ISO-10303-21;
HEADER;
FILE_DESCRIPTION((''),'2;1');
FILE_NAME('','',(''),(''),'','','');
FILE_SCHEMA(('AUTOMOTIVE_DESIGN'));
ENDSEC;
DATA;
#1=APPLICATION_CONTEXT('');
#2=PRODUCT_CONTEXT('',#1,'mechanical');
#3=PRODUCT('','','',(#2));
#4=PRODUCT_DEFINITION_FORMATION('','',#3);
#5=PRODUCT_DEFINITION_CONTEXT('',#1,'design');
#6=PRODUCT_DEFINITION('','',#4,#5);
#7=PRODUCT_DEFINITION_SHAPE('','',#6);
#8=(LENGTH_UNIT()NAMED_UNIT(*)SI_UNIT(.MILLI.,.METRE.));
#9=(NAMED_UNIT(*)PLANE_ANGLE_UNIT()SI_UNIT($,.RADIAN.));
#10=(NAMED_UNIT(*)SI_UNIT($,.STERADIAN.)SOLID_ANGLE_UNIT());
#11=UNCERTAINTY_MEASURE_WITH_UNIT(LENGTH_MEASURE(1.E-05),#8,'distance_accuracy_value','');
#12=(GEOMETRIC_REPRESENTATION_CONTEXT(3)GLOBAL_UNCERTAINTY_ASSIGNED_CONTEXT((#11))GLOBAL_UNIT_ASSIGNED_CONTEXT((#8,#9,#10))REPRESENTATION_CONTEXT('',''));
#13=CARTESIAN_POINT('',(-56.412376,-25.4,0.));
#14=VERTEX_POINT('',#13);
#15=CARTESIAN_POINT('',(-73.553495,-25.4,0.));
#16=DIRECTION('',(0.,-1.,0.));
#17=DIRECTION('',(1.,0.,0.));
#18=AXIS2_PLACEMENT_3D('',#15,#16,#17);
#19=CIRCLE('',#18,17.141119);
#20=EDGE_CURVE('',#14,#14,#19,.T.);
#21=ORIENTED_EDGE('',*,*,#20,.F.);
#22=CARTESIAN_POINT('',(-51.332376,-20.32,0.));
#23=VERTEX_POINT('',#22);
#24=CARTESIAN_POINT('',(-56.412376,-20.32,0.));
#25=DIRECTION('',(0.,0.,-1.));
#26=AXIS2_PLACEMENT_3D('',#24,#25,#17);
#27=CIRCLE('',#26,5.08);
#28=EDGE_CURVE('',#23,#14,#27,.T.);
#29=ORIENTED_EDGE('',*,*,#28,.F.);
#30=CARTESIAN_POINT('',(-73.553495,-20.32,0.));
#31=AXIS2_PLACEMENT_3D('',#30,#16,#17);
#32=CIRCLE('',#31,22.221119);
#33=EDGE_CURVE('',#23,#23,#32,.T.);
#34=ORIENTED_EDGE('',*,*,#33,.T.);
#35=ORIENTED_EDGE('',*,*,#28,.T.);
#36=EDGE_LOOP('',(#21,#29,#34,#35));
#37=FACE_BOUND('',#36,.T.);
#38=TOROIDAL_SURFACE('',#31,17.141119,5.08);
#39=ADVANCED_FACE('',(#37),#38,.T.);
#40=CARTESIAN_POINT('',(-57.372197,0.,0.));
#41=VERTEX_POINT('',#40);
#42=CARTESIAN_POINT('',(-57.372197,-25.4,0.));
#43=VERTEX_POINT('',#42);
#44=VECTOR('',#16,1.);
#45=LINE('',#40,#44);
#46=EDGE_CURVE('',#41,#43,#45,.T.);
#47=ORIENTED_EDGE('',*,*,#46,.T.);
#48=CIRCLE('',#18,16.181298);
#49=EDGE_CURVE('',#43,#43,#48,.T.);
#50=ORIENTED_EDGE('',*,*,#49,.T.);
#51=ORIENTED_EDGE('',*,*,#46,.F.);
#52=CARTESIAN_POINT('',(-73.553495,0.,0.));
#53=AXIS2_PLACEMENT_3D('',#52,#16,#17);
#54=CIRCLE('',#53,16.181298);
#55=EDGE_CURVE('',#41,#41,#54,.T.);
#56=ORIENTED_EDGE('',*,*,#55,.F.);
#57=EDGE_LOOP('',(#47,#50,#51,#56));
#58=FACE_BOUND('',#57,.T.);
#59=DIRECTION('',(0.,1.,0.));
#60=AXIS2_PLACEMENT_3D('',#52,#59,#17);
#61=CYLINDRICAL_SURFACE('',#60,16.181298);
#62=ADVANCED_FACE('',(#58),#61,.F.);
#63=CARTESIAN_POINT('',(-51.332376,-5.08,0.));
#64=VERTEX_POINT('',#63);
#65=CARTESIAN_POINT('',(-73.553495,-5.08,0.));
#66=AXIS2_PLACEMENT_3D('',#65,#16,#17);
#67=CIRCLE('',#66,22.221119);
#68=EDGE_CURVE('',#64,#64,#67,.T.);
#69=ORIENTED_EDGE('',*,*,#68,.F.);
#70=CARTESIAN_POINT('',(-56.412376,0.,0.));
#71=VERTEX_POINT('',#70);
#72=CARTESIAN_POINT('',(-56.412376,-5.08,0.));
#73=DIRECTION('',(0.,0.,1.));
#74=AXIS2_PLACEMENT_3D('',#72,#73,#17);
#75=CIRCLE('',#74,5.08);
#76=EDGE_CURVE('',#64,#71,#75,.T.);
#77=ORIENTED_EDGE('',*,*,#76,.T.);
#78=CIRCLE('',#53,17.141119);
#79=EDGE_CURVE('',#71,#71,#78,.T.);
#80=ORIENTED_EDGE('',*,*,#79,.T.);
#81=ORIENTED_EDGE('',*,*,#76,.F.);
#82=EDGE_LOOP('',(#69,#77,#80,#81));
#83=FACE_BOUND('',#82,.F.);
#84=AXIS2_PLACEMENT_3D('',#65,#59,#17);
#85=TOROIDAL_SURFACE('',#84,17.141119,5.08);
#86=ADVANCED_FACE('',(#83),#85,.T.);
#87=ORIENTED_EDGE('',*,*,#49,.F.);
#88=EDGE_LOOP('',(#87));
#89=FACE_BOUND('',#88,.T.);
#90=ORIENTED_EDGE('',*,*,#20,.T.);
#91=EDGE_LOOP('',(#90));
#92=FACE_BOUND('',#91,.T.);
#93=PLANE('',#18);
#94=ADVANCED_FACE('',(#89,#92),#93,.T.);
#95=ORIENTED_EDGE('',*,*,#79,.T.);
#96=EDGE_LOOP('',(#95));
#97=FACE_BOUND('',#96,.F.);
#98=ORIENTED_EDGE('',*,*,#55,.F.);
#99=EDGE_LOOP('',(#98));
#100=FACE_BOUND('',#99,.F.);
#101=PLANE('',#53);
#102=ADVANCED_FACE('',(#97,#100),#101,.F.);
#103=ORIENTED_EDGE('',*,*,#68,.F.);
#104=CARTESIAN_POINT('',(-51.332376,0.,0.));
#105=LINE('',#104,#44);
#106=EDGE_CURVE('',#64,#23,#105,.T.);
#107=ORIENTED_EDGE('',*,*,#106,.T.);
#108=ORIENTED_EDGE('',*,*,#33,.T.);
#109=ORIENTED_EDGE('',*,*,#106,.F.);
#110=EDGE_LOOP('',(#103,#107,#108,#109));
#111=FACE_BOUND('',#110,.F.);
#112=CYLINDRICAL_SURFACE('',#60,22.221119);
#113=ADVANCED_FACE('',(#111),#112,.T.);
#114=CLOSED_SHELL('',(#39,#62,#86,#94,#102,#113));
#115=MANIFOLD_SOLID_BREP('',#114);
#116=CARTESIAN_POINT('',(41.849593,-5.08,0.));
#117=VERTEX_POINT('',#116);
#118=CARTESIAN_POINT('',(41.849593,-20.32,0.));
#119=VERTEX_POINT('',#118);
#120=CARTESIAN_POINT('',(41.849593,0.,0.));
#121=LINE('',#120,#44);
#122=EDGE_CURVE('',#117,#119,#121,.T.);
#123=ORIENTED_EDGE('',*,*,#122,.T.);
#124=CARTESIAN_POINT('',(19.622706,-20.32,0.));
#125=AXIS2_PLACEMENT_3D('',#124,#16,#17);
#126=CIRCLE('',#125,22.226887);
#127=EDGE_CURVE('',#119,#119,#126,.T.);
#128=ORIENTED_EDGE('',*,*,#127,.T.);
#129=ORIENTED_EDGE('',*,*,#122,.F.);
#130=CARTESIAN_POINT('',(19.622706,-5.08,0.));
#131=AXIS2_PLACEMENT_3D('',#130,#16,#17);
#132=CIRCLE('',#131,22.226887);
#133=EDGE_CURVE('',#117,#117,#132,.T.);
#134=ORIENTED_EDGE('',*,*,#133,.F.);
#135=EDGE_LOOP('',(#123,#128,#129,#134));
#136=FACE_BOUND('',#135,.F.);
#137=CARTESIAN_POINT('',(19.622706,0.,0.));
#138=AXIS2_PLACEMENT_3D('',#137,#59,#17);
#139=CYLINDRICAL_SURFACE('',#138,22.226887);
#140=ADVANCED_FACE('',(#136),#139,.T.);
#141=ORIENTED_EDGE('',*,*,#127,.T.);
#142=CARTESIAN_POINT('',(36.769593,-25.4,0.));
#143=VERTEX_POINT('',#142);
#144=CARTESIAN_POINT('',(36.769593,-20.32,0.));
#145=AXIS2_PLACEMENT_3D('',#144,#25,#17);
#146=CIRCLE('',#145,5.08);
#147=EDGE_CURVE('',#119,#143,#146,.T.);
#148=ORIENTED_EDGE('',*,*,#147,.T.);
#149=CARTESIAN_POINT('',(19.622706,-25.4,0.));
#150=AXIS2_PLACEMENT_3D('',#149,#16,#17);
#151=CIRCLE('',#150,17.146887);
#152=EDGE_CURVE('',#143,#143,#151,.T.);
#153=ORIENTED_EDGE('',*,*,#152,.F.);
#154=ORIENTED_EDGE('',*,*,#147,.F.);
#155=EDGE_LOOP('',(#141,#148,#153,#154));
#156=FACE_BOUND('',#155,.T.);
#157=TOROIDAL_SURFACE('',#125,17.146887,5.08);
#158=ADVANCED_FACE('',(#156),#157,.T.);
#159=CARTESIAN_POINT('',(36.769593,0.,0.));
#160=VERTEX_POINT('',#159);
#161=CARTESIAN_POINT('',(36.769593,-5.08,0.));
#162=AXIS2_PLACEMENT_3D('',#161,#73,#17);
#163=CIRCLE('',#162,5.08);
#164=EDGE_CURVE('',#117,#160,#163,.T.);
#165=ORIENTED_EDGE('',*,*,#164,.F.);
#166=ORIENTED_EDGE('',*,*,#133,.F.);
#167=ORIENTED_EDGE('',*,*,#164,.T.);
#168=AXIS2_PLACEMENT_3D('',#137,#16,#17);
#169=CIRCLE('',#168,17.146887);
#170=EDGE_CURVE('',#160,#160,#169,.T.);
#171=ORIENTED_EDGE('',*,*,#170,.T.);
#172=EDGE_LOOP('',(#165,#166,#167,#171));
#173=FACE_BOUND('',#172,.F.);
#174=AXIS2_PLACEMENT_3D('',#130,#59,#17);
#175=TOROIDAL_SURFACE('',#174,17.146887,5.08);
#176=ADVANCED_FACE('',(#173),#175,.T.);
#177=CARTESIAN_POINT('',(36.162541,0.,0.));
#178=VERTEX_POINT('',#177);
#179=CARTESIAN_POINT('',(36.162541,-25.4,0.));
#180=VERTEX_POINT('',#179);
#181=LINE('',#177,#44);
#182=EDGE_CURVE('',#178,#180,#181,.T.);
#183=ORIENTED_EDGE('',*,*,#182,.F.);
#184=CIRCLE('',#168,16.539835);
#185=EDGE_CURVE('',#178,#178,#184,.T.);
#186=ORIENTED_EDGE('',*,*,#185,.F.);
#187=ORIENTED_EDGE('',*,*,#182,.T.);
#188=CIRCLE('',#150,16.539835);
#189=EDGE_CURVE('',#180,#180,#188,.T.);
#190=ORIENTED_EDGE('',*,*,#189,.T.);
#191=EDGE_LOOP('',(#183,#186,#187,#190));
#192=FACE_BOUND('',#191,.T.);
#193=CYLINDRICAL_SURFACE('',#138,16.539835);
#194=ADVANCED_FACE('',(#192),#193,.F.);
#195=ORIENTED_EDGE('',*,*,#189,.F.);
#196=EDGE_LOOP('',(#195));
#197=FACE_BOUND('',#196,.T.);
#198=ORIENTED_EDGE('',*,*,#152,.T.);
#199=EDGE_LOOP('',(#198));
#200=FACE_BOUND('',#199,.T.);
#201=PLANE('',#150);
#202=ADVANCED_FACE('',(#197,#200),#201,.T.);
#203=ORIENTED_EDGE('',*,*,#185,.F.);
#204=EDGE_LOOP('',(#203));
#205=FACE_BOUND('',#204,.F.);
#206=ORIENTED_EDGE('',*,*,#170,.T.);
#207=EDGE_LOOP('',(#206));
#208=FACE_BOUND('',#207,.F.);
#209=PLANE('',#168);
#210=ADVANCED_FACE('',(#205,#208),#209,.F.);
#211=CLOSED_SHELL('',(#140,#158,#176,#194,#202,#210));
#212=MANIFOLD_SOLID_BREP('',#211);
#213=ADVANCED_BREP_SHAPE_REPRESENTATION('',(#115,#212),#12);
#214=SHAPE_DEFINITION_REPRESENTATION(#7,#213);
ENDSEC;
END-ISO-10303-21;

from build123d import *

# Parameters (mm, degrees)
F0_R     = 22.221119
F0_R_2   = 16.181298
F0_R_3   = 22.226887
F0_R_4   = 16.539835
F1_DEPTH = 25.4
F2_R     = 5.08


with BuildPart() as f1:
    # F0 (on Front) → F1 (new body)
    with BuildSketch(Plane.XZ):
        with Locations((-73.553495, 0)):
            Circle(F0_R)
        with Locations((-73.553495, 0)):
            Circle(F0_R_2, mode=Mode.SUBTRACT)
        with Locations((19.622706, 0)):
            Circle(F0_R_3)
        with Locations((19.622706, 0)):
            Circle(F0_R_4, mode=Mode.SUBTRACT)
    extrude(amount=F1_DEPTH)

    # F2
    f2_edges = [f1.edges().sort_by_distance(p)[0] for p in [
        (-95.774614, -25.4, 0),
        (-95.774614, 0, 0),
        (-2.604181, 0, 0),
        (-2.604181, -25.4, 0),
    ]]
    fillet(f2_edges, radius=F2_R)


solid = f1.part
